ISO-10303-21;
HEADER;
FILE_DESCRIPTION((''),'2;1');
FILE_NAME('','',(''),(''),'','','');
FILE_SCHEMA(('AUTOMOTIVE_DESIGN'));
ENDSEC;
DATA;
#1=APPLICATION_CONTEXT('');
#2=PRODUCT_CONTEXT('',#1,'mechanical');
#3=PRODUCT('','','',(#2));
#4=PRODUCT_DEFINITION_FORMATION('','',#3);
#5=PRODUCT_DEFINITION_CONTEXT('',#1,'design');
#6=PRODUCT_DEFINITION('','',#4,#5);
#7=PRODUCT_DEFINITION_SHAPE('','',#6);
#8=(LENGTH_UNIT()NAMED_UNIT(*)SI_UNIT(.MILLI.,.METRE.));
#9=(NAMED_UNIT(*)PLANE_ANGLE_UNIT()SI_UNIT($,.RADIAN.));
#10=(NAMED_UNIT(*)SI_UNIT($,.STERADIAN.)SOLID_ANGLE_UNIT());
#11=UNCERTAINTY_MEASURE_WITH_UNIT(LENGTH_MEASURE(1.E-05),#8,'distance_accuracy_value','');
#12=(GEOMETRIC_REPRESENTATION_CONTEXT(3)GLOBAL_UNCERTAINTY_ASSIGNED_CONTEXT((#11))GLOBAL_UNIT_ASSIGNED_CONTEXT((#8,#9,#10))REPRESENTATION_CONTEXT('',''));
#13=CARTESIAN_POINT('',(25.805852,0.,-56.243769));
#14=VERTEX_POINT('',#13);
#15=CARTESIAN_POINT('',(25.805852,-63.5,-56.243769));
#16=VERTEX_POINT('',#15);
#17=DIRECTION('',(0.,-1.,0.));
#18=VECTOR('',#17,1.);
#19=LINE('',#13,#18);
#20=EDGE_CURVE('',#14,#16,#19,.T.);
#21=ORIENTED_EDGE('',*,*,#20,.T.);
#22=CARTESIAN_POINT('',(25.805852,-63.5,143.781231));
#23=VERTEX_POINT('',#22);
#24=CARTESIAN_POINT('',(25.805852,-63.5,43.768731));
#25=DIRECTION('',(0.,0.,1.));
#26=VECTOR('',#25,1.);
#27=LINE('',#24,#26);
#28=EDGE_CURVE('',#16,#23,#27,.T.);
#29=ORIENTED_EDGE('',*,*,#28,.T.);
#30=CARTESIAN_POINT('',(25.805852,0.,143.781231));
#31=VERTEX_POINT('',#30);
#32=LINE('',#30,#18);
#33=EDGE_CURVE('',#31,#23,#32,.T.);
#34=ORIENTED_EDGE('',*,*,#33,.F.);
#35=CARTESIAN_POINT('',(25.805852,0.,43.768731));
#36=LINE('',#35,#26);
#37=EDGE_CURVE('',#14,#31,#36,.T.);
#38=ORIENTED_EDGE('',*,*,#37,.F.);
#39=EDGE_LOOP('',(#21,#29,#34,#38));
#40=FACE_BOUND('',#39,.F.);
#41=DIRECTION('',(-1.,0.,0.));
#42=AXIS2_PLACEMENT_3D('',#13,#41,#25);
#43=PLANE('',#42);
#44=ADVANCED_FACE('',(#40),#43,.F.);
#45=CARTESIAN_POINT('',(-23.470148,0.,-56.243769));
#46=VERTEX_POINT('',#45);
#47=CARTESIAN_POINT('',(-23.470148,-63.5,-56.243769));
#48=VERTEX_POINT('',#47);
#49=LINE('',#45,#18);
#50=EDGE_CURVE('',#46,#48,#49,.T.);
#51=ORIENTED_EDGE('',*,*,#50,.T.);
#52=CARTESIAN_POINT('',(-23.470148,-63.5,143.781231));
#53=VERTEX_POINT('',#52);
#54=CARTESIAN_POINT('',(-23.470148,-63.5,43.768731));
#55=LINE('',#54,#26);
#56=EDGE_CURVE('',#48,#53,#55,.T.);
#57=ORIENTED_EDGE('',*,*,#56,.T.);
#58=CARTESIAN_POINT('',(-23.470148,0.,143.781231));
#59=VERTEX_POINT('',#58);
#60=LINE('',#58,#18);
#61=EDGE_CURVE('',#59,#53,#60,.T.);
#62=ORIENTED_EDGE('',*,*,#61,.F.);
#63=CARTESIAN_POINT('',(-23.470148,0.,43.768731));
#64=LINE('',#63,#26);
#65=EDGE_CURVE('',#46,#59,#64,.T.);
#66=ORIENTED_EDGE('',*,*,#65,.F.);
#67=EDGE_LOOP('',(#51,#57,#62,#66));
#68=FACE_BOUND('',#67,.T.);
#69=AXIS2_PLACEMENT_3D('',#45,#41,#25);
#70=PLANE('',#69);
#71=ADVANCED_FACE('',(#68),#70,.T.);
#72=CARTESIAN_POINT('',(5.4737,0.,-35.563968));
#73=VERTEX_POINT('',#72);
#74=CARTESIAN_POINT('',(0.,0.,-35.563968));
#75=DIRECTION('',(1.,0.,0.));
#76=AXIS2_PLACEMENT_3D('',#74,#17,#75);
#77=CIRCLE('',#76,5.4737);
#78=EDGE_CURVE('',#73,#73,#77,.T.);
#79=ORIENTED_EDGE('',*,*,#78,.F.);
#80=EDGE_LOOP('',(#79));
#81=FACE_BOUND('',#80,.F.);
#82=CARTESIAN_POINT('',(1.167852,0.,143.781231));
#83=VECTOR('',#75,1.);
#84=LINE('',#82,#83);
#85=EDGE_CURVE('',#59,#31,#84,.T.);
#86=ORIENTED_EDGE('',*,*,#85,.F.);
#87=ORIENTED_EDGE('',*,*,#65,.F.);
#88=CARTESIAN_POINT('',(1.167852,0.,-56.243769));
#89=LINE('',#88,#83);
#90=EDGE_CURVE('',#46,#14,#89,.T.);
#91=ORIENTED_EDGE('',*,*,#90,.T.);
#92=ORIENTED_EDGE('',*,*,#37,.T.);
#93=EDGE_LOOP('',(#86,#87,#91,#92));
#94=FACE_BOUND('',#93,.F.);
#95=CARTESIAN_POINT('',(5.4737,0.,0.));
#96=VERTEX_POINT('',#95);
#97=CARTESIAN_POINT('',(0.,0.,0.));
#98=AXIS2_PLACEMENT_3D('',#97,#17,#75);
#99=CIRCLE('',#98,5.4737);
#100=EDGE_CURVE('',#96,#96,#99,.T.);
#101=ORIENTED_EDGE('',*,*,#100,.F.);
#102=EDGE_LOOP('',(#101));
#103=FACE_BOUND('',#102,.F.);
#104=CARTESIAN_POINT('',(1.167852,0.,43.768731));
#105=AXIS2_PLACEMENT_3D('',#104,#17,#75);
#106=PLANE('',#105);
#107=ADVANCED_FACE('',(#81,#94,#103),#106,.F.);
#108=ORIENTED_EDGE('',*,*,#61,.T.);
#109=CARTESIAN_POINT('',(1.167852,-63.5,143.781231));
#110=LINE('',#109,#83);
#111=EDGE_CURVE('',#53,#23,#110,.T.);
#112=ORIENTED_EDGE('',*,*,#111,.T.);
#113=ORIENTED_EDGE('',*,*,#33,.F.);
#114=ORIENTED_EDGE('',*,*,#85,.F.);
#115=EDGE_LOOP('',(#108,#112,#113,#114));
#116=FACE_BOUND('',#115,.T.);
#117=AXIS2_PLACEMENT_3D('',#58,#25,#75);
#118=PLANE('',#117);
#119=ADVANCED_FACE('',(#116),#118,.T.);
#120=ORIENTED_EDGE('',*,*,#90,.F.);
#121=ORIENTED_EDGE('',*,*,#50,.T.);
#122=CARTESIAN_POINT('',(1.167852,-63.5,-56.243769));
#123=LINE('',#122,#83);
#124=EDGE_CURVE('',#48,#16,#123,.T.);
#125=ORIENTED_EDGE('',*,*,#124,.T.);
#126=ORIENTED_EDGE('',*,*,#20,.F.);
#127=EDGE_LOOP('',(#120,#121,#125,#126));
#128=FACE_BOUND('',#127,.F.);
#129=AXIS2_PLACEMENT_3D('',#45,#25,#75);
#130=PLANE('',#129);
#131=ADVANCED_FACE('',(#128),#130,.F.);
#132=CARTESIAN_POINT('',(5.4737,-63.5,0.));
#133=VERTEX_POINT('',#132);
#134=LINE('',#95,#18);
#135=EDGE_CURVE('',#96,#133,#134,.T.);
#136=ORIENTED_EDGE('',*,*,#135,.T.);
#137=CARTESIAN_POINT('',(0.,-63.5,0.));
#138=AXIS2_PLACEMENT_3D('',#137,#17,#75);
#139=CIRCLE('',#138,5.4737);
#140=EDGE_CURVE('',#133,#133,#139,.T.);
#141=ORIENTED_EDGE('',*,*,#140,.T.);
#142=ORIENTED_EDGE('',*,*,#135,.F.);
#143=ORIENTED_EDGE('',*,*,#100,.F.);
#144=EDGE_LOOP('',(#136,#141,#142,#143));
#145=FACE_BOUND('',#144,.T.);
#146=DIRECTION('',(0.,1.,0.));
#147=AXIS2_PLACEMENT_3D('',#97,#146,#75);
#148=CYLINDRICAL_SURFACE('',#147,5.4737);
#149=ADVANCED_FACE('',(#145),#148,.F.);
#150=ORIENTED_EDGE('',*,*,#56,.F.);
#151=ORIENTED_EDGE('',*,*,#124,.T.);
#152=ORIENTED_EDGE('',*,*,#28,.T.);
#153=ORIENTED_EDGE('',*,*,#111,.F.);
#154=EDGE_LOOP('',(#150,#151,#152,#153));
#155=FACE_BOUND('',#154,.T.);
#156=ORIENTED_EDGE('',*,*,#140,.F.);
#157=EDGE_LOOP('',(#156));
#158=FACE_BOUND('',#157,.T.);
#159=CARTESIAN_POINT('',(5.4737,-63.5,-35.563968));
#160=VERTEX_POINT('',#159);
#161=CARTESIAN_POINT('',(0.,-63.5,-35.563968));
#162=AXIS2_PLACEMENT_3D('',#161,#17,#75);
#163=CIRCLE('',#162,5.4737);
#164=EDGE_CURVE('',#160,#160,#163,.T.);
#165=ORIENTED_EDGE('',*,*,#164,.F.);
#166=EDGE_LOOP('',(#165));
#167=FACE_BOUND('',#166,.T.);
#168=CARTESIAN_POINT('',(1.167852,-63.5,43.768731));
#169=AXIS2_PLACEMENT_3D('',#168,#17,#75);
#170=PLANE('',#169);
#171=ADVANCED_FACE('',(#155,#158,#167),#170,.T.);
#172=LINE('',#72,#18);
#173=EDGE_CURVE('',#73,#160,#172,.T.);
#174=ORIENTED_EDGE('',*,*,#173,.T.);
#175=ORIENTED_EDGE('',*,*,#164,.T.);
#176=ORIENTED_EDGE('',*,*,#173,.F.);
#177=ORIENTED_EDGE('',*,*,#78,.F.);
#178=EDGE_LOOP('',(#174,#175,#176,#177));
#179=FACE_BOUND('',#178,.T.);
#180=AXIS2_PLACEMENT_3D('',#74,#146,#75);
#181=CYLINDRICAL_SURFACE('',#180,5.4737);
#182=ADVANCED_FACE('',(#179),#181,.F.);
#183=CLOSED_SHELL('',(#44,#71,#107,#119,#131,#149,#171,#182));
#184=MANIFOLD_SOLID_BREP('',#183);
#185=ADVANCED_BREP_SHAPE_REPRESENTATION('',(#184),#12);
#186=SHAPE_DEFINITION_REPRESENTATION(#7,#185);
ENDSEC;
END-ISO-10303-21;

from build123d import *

# Parameters (mm, degrees)
F0_W     = 49.276
F0_H     = 200.025
F0_R     = 5.4737
F1_DEPTH = 63.5


with BuildPart() as f1:
    # F0 (on Front) → F1 (new body)
    with BuildSketch(Plane.XZ):
        with Locations((1.167852, 43.768731)):
            Rectangle(F0_W, F0_H)
        with Locations((0, -35.563968)):
            Circle(F0_R, mode=Mode.SUBTRACT)
        Circle(F0_R, mode=Mode.SUBTRACT)
    extrude(amount=F1_DEPTH)


solid = f1.part
